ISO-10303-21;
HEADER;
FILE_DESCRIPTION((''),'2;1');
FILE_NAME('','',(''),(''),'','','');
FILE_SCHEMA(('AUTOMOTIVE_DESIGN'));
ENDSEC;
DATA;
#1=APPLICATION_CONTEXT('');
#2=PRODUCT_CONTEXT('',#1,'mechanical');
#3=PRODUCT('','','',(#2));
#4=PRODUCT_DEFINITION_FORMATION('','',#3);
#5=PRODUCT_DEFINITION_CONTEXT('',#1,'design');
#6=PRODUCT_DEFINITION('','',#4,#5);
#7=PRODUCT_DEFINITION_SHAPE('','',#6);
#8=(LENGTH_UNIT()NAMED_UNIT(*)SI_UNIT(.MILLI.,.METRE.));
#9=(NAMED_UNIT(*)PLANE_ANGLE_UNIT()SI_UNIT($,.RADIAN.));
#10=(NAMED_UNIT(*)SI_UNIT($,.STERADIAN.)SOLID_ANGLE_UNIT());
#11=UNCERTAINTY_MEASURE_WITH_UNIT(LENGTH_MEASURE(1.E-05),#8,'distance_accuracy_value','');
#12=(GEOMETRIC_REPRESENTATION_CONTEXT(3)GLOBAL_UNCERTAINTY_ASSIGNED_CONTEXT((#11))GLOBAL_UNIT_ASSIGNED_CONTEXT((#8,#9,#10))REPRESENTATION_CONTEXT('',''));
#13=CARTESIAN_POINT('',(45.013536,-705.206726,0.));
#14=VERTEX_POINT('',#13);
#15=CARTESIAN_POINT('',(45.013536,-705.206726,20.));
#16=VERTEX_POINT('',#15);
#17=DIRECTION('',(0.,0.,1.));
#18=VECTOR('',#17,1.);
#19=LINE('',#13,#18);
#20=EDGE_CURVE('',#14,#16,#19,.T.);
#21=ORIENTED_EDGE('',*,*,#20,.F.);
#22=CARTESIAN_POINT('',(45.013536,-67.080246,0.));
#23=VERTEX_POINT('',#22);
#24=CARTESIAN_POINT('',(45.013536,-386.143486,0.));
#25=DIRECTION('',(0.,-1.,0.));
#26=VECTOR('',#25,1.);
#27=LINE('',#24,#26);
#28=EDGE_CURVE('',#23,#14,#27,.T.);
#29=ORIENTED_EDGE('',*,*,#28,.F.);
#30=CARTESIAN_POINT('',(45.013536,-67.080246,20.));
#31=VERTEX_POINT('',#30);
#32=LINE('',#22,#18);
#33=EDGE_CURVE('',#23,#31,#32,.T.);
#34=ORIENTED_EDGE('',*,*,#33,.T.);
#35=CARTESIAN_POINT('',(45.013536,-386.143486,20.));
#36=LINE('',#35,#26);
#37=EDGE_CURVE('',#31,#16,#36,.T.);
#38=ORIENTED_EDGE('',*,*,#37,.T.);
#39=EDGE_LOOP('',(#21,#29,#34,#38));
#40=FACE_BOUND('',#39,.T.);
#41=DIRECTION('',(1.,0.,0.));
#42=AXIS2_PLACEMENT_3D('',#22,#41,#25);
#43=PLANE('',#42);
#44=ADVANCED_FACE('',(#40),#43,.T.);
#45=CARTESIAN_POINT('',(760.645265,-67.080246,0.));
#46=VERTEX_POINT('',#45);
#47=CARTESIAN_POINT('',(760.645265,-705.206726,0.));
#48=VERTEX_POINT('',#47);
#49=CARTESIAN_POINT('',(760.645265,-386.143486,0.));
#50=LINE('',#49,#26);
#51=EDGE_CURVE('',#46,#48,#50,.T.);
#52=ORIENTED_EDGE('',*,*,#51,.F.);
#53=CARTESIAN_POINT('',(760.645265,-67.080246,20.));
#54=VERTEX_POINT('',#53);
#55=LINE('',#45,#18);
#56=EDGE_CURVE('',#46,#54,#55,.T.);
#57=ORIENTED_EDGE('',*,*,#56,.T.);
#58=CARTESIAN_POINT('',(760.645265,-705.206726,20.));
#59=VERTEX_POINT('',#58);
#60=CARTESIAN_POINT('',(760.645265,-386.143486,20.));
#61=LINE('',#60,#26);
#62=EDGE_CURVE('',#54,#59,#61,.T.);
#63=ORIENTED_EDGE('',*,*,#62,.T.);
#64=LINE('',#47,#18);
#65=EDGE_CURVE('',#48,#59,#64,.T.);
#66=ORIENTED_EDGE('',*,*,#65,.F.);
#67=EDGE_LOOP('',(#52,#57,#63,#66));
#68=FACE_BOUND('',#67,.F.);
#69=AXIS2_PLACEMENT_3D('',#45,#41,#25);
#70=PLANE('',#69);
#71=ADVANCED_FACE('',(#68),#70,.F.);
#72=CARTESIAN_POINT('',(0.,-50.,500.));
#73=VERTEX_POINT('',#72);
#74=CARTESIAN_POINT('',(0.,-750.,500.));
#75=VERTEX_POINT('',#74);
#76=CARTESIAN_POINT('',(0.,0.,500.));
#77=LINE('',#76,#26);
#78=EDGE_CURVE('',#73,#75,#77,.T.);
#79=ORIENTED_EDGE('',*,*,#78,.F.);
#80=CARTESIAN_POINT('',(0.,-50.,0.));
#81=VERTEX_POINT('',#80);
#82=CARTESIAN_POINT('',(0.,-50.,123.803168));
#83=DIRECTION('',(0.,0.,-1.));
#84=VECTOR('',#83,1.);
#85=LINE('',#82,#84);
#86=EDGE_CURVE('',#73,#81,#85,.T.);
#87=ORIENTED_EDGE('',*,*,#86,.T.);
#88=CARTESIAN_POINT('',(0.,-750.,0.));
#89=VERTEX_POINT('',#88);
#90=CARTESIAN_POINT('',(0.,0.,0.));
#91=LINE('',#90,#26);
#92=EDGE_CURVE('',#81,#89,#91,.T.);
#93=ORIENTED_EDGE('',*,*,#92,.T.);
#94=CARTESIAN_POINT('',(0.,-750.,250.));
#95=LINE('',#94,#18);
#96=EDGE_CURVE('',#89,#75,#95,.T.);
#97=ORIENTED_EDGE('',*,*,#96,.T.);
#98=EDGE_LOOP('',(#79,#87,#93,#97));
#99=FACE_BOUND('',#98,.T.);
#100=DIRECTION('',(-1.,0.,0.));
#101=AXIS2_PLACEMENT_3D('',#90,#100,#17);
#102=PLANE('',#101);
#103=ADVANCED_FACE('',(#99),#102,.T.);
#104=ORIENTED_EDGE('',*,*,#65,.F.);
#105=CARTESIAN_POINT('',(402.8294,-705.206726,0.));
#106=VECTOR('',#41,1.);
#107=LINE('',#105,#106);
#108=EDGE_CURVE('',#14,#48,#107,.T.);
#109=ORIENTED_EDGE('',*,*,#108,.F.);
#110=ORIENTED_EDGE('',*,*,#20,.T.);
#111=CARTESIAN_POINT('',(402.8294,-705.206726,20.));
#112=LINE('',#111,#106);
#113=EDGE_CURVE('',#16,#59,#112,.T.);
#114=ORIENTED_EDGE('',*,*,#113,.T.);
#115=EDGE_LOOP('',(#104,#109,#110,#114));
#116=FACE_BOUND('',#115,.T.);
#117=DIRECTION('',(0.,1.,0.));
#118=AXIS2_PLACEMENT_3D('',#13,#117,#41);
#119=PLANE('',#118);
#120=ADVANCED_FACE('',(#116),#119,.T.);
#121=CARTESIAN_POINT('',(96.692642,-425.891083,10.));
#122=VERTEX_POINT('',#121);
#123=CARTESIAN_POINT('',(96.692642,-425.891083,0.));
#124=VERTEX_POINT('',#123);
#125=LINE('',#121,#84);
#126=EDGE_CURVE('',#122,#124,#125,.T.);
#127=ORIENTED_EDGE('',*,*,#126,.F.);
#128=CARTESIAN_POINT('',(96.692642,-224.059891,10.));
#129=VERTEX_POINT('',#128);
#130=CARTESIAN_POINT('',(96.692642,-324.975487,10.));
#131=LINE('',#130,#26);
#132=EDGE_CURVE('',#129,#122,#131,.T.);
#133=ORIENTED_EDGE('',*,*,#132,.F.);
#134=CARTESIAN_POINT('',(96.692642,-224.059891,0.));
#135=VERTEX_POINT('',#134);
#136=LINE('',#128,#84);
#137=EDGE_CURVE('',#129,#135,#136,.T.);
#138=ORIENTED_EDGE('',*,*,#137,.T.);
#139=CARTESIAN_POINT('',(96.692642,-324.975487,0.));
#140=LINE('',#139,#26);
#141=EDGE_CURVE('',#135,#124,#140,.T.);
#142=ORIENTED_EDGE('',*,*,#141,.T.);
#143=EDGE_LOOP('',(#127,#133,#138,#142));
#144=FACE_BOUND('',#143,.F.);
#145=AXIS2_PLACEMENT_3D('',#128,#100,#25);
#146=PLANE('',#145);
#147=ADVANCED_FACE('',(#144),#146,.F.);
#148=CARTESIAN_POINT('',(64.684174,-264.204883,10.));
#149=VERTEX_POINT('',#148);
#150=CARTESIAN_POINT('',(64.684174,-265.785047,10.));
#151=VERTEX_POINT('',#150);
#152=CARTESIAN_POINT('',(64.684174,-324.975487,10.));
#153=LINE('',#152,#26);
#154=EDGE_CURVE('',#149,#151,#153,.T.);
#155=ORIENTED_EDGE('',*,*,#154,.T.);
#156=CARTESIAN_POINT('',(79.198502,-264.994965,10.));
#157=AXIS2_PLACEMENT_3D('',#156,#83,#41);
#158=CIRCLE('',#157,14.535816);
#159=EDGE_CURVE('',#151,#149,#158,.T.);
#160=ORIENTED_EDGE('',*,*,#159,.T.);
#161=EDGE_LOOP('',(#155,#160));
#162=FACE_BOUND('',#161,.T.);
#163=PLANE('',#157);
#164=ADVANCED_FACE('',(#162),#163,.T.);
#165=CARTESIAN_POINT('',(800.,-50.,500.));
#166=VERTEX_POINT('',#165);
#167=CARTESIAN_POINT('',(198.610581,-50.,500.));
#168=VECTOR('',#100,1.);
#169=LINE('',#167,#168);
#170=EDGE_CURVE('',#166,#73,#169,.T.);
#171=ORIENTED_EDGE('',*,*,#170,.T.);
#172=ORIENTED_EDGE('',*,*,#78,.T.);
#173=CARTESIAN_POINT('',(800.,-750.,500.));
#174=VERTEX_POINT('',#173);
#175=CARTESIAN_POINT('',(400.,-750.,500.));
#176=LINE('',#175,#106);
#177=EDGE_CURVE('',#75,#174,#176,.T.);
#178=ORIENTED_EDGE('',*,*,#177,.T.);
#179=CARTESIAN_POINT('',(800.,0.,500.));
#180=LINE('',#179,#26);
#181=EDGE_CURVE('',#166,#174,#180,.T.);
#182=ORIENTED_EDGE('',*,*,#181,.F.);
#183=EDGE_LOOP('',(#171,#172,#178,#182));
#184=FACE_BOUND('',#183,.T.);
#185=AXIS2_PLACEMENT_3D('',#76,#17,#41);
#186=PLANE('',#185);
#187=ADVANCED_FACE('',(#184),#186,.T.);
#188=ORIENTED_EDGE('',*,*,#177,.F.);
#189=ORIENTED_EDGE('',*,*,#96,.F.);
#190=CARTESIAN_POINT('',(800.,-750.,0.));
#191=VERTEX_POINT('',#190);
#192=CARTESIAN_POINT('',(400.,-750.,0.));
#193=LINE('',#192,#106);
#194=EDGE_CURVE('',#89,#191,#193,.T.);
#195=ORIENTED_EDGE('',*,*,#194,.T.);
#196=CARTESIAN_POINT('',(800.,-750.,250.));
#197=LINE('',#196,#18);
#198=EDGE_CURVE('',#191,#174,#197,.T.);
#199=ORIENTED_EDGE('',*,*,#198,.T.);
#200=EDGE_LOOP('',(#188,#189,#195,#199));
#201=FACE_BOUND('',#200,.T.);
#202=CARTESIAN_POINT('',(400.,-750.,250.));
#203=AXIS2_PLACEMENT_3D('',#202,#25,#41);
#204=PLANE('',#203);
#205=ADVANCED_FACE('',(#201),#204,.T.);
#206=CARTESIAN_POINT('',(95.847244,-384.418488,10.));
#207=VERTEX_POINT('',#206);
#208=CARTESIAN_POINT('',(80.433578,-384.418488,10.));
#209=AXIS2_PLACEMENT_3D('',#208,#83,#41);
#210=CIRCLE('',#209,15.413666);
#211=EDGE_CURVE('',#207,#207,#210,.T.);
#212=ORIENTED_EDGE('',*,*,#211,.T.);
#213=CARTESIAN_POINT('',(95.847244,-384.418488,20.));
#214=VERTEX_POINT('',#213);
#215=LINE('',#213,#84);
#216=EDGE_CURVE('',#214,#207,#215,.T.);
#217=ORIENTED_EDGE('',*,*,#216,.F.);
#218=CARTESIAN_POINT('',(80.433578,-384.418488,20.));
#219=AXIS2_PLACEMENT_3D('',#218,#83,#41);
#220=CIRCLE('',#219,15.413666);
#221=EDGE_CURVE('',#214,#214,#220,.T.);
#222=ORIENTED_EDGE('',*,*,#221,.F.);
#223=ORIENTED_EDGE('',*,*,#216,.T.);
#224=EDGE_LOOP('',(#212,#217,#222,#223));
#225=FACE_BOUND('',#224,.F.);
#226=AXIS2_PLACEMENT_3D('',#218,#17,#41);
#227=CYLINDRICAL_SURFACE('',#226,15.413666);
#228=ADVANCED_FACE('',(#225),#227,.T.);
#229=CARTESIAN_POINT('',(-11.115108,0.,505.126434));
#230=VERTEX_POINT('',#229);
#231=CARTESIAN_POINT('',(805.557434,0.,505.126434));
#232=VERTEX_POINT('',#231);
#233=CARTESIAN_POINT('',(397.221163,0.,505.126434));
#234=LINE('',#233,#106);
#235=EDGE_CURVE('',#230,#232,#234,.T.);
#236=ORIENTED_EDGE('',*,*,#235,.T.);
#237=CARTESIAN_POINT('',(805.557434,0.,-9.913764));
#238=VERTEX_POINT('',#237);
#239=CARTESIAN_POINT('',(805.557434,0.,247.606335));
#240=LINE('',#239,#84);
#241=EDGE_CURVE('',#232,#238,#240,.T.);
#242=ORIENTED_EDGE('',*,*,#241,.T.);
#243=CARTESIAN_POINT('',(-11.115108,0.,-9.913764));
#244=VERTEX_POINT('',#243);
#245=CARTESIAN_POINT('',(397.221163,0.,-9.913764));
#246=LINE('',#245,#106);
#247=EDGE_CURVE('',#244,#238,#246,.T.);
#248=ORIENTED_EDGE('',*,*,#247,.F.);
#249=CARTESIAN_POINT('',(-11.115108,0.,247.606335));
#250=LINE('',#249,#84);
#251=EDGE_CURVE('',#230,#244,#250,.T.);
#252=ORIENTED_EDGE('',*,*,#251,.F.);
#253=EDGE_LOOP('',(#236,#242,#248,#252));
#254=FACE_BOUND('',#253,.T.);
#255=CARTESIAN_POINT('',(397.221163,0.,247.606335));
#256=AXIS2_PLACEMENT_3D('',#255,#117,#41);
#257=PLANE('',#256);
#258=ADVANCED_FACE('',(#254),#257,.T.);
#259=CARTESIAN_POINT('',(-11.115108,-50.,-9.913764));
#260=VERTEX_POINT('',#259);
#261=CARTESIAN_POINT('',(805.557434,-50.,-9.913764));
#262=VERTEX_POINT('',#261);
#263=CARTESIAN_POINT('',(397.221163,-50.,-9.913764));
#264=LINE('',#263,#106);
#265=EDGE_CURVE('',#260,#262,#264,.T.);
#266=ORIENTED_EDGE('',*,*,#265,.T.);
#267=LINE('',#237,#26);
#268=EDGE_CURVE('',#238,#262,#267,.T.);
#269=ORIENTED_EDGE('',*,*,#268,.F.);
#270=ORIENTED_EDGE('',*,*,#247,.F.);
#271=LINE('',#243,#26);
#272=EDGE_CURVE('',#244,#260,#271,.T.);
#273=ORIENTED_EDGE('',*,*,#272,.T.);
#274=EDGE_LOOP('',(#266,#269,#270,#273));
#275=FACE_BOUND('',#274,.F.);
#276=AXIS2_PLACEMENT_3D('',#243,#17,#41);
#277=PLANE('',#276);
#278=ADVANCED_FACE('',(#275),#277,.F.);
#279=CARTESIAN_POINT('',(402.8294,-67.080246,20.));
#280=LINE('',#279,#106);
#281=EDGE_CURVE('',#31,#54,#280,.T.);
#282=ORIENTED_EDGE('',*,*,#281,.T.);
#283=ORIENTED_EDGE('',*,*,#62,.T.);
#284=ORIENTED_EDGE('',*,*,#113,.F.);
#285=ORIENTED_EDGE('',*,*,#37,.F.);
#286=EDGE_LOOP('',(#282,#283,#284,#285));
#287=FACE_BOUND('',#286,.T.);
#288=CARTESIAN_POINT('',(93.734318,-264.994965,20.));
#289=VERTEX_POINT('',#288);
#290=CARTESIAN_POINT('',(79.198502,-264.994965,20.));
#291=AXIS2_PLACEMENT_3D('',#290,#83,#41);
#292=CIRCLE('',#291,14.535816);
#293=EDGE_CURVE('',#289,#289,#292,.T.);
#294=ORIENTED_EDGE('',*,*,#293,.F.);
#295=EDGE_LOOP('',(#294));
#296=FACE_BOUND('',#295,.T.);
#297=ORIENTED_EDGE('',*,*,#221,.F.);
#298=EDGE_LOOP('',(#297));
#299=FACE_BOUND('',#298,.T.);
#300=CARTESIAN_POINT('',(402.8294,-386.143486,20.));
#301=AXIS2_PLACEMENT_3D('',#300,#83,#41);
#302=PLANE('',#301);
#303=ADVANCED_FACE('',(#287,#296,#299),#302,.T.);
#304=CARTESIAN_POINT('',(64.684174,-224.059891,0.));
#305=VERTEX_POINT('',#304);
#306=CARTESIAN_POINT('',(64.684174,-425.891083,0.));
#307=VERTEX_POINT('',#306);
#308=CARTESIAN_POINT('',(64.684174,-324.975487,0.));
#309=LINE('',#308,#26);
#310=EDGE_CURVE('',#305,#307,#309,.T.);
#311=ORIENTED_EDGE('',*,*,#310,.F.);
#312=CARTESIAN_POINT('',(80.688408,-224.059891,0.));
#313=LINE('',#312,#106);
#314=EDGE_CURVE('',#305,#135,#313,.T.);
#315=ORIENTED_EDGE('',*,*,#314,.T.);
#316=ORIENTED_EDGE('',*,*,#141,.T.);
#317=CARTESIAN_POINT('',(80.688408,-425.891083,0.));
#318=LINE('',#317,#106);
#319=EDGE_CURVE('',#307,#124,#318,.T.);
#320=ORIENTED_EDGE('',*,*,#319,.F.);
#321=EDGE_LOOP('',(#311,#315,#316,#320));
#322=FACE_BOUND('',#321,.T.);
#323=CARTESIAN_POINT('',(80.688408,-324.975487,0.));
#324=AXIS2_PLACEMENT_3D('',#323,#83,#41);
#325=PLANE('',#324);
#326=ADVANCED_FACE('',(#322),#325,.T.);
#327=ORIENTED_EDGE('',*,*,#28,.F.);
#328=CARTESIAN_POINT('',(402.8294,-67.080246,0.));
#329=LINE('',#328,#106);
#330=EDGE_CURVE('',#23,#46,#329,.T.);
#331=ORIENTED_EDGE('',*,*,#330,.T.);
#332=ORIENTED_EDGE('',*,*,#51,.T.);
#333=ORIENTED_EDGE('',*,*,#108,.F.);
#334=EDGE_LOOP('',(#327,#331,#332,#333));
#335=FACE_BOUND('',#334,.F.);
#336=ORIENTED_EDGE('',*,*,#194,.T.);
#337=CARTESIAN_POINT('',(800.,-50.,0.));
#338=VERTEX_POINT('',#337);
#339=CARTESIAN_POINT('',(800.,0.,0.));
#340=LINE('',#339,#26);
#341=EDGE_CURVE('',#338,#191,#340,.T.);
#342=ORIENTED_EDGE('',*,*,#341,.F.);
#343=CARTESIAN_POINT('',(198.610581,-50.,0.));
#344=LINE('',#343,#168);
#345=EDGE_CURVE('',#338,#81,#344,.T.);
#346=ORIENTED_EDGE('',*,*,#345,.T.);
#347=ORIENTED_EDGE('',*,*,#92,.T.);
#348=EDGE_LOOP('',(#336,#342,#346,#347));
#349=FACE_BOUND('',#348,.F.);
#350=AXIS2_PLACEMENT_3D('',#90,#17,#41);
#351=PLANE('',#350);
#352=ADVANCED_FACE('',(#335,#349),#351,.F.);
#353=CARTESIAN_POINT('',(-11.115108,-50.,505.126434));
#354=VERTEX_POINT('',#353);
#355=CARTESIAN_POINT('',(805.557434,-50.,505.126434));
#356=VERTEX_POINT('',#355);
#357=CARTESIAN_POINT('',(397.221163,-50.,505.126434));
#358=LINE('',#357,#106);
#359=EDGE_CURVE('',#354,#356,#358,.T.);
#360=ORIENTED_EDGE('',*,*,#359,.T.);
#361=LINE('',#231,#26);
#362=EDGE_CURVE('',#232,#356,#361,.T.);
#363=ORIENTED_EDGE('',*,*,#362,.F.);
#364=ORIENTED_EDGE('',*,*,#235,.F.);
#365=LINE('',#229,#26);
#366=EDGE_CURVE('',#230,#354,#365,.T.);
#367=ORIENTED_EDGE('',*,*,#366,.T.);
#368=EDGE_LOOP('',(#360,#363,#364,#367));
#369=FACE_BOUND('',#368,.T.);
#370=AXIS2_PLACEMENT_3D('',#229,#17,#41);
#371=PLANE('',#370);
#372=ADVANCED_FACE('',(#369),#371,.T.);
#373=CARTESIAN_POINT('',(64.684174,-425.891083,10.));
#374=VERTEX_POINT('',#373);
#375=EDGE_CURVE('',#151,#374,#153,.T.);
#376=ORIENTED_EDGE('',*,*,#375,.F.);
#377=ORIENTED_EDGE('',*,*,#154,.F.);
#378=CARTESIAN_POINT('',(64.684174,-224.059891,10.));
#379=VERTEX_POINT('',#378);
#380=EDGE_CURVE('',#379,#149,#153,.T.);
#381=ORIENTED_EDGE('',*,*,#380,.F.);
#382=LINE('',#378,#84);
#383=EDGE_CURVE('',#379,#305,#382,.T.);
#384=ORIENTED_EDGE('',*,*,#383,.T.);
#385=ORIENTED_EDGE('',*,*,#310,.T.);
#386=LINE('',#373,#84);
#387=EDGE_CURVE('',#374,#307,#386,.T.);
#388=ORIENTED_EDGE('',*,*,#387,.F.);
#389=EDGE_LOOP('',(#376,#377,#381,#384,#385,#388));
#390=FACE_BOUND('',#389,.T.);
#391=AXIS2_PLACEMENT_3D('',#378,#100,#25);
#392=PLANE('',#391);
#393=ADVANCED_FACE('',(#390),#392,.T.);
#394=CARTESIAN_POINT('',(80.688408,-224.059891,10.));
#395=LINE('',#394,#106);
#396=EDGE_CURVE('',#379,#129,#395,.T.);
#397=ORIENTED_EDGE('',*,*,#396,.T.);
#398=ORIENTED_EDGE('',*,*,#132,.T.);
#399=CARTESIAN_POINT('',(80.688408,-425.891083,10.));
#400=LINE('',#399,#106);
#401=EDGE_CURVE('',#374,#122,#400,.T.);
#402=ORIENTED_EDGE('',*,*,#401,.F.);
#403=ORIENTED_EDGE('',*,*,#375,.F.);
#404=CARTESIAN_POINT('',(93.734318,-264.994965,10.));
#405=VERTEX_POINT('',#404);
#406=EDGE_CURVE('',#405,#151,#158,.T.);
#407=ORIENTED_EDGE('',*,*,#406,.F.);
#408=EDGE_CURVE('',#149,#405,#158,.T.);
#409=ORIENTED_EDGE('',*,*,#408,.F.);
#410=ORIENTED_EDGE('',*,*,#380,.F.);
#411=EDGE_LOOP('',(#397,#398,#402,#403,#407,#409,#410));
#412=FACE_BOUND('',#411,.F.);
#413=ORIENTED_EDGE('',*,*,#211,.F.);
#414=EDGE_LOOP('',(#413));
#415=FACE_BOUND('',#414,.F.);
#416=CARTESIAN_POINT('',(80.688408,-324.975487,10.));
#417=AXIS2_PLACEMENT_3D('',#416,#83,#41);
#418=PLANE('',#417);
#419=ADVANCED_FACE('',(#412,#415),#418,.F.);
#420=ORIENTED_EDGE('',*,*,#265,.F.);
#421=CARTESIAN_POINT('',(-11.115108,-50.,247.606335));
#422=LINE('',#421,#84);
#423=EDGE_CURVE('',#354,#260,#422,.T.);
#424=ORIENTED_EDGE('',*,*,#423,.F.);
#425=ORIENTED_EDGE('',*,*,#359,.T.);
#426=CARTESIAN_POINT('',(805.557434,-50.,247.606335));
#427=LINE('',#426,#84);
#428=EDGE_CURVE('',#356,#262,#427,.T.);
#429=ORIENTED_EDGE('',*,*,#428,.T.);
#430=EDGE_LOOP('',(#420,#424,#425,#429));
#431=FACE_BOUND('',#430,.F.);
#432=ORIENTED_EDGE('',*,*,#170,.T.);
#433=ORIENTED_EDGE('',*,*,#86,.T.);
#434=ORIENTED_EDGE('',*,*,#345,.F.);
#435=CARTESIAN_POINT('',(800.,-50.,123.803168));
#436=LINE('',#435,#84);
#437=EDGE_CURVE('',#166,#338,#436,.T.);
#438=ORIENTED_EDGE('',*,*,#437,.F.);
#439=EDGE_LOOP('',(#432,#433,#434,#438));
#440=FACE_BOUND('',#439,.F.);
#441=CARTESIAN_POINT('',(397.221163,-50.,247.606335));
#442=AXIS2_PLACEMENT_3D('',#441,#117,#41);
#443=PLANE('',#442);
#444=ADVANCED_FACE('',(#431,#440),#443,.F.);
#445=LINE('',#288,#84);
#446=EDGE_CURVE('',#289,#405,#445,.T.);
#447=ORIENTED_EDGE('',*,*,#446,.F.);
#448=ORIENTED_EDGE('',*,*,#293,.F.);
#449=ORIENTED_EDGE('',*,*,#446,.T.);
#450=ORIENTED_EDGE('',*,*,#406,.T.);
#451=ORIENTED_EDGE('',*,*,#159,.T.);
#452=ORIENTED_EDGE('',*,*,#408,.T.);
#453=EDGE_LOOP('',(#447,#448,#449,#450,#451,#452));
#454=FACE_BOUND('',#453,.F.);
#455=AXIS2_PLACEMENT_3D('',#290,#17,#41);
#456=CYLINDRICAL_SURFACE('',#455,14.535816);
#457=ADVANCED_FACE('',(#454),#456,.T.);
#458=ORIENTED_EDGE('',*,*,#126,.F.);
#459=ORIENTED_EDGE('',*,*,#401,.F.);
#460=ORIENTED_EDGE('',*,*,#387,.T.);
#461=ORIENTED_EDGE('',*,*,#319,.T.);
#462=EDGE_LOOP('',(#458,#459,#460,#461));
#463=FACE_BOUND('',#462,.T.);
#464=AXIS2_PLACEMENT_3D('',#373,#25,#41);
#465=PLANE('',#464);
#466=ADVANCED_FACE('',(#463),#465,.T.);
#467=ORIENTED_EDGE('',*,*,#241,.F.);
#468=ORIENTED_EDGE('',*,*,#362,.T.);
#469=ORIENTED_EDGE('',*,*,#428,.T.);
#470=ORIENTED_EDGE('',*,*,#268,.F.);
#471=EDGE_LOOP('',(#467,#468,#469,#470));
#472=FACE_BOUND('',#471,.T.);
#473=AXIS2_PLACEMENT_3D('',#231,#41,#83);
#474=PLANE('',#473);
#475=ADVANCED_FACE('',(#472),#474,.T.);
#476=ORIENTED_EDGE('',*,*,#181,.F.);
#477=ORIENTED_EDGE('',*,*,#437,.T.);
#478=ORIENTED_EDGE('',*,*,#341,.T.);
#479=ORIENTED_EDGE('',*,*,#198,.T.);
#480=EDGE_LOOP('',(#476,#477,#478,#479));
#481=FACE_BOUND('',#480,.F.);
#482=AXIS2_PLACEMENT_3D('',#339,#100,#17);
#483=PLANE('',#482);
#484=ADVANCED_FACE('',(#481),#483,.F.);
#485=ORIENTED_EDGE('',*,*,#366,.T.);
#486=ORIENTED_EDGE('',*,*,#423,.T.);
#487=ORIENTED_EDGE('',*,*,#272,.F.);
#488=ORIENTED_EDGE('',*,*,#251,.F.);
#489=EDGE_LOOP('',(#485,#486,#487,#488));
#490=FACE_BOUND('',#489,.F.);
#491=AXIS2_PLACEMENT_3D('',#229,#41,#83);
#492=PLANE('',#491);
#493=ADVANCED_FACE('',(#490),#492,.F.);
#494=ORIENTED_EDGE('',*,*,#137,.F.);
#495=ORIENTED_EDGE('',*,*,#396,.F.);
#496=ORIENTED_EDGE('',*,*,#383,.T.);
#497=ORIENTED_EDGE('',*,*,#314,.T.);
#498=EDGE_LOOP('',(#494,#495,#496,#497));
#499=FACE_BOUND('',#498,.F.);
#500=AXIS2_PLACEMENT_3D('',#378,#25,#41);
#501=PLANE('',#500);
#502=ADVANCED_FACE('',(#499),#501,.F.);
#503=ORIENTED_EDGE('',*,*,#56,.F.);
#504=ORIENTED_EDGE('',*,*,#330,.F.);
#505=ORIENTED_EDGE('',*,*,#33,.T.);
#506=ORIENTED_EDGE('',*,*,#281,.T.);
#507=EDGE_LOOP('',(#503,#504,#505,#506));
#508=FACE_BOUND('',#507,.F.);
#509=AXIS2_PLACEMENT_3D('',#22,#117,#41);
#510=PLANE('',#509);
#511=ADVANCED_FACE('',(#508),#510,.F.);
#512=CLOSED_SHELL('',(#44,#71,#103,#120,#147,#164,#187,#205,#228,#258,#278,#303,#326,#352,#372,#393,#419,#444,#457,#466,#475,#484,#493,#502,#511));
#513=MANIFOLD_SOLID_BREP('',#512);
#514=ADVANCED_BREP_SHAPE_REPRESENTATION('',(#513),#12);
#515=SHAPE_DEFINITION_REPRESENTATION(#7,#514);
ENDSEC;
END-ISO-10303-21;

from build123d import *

# Parameters (mm, degrees)
SKETCH_W      = 800
SKETCH_H      = 500
PAD_DEPTH     = 750
SKETCH001_W   = 816.672542
SKETCH001_H   = 515.040198
PAD001_DEPTH  = 50
SKETCH002_W   = 715.631729
SKETCH002_H   = 638.12648
POCKET_DEPTH  = 20
SKETCH003_R   = 15.413666
SKETCH003_R_2 = 14.535816
PAD002_DEPTH  = 10
SKETCH004_W   = 32.008468
SKETCH004_H   = 201.831192
PAD003_DEPTH  = 10


with BuildPart() as part:
    # Sketch → Pad (new body)
    with BuildSketch(Plane.XZ):
        with Locations((400, 250)):
            Rectangle(SKETCH_W, SKETCH_H)
    extrude(amount=PAD_DEPTH)

    # Sketch001 (on Face5 of Pad) → Pad001 (join)
    with BuildSketch(Plane(origin=(0, 0, 0), x_dir=(1, 0, 0), z_dir=(0, 1, 0))):
        with Locations((397.221163, -247.606335)):
            Rectangle(SKETCH001_W, SKETCH001_H)
    extrude(amount=-PAD001_DEPTH)

    # Sketch002 (on Face6 of Pad001) → Pocket (cut)
    with BuildSketch(Plane(origin=(0, 0, 0), x_dir=(1, 0, 0), z_dir=(0, 0, -1))):
        with Locations((402.8294, 386.143486)):
            Rectangle(SKETCH002_W, SKETCH002_H)
    extrude(amount=-POCKET_DEPTH, mode=Mode.SUBTRACT)

    # Sketch003 (on Face16 of Pocket) → Pad002 (join)
    with BuildSketch(Plane(origin=(0, 0, 20), x_dir=(1, 0, 0), z_dir=(0, 0, -1))):
        with Locations((80.433578, 384.418488)):
            Circle(SKETCH003_R)
        with Locations((79.198502, 264.994965)):
            Circle(SKETCH003_R_2)
    extrude(amount=PAD002_DEPTH)

    # Sketch004 (on Face20 of Pad002) → Pad003 (join)
    with BuildSketch(Plane(origin=(0, 0, 10), x_dir=(1, 0, 0), z_dir=(0, 0, -1))):
        with Locations((80.688408, 324.975487)):
            Rectangle(SKETCH004_W, SKETCH004_H)
    extrude(amount=PAD003_DEPTH)


solid = part.part
